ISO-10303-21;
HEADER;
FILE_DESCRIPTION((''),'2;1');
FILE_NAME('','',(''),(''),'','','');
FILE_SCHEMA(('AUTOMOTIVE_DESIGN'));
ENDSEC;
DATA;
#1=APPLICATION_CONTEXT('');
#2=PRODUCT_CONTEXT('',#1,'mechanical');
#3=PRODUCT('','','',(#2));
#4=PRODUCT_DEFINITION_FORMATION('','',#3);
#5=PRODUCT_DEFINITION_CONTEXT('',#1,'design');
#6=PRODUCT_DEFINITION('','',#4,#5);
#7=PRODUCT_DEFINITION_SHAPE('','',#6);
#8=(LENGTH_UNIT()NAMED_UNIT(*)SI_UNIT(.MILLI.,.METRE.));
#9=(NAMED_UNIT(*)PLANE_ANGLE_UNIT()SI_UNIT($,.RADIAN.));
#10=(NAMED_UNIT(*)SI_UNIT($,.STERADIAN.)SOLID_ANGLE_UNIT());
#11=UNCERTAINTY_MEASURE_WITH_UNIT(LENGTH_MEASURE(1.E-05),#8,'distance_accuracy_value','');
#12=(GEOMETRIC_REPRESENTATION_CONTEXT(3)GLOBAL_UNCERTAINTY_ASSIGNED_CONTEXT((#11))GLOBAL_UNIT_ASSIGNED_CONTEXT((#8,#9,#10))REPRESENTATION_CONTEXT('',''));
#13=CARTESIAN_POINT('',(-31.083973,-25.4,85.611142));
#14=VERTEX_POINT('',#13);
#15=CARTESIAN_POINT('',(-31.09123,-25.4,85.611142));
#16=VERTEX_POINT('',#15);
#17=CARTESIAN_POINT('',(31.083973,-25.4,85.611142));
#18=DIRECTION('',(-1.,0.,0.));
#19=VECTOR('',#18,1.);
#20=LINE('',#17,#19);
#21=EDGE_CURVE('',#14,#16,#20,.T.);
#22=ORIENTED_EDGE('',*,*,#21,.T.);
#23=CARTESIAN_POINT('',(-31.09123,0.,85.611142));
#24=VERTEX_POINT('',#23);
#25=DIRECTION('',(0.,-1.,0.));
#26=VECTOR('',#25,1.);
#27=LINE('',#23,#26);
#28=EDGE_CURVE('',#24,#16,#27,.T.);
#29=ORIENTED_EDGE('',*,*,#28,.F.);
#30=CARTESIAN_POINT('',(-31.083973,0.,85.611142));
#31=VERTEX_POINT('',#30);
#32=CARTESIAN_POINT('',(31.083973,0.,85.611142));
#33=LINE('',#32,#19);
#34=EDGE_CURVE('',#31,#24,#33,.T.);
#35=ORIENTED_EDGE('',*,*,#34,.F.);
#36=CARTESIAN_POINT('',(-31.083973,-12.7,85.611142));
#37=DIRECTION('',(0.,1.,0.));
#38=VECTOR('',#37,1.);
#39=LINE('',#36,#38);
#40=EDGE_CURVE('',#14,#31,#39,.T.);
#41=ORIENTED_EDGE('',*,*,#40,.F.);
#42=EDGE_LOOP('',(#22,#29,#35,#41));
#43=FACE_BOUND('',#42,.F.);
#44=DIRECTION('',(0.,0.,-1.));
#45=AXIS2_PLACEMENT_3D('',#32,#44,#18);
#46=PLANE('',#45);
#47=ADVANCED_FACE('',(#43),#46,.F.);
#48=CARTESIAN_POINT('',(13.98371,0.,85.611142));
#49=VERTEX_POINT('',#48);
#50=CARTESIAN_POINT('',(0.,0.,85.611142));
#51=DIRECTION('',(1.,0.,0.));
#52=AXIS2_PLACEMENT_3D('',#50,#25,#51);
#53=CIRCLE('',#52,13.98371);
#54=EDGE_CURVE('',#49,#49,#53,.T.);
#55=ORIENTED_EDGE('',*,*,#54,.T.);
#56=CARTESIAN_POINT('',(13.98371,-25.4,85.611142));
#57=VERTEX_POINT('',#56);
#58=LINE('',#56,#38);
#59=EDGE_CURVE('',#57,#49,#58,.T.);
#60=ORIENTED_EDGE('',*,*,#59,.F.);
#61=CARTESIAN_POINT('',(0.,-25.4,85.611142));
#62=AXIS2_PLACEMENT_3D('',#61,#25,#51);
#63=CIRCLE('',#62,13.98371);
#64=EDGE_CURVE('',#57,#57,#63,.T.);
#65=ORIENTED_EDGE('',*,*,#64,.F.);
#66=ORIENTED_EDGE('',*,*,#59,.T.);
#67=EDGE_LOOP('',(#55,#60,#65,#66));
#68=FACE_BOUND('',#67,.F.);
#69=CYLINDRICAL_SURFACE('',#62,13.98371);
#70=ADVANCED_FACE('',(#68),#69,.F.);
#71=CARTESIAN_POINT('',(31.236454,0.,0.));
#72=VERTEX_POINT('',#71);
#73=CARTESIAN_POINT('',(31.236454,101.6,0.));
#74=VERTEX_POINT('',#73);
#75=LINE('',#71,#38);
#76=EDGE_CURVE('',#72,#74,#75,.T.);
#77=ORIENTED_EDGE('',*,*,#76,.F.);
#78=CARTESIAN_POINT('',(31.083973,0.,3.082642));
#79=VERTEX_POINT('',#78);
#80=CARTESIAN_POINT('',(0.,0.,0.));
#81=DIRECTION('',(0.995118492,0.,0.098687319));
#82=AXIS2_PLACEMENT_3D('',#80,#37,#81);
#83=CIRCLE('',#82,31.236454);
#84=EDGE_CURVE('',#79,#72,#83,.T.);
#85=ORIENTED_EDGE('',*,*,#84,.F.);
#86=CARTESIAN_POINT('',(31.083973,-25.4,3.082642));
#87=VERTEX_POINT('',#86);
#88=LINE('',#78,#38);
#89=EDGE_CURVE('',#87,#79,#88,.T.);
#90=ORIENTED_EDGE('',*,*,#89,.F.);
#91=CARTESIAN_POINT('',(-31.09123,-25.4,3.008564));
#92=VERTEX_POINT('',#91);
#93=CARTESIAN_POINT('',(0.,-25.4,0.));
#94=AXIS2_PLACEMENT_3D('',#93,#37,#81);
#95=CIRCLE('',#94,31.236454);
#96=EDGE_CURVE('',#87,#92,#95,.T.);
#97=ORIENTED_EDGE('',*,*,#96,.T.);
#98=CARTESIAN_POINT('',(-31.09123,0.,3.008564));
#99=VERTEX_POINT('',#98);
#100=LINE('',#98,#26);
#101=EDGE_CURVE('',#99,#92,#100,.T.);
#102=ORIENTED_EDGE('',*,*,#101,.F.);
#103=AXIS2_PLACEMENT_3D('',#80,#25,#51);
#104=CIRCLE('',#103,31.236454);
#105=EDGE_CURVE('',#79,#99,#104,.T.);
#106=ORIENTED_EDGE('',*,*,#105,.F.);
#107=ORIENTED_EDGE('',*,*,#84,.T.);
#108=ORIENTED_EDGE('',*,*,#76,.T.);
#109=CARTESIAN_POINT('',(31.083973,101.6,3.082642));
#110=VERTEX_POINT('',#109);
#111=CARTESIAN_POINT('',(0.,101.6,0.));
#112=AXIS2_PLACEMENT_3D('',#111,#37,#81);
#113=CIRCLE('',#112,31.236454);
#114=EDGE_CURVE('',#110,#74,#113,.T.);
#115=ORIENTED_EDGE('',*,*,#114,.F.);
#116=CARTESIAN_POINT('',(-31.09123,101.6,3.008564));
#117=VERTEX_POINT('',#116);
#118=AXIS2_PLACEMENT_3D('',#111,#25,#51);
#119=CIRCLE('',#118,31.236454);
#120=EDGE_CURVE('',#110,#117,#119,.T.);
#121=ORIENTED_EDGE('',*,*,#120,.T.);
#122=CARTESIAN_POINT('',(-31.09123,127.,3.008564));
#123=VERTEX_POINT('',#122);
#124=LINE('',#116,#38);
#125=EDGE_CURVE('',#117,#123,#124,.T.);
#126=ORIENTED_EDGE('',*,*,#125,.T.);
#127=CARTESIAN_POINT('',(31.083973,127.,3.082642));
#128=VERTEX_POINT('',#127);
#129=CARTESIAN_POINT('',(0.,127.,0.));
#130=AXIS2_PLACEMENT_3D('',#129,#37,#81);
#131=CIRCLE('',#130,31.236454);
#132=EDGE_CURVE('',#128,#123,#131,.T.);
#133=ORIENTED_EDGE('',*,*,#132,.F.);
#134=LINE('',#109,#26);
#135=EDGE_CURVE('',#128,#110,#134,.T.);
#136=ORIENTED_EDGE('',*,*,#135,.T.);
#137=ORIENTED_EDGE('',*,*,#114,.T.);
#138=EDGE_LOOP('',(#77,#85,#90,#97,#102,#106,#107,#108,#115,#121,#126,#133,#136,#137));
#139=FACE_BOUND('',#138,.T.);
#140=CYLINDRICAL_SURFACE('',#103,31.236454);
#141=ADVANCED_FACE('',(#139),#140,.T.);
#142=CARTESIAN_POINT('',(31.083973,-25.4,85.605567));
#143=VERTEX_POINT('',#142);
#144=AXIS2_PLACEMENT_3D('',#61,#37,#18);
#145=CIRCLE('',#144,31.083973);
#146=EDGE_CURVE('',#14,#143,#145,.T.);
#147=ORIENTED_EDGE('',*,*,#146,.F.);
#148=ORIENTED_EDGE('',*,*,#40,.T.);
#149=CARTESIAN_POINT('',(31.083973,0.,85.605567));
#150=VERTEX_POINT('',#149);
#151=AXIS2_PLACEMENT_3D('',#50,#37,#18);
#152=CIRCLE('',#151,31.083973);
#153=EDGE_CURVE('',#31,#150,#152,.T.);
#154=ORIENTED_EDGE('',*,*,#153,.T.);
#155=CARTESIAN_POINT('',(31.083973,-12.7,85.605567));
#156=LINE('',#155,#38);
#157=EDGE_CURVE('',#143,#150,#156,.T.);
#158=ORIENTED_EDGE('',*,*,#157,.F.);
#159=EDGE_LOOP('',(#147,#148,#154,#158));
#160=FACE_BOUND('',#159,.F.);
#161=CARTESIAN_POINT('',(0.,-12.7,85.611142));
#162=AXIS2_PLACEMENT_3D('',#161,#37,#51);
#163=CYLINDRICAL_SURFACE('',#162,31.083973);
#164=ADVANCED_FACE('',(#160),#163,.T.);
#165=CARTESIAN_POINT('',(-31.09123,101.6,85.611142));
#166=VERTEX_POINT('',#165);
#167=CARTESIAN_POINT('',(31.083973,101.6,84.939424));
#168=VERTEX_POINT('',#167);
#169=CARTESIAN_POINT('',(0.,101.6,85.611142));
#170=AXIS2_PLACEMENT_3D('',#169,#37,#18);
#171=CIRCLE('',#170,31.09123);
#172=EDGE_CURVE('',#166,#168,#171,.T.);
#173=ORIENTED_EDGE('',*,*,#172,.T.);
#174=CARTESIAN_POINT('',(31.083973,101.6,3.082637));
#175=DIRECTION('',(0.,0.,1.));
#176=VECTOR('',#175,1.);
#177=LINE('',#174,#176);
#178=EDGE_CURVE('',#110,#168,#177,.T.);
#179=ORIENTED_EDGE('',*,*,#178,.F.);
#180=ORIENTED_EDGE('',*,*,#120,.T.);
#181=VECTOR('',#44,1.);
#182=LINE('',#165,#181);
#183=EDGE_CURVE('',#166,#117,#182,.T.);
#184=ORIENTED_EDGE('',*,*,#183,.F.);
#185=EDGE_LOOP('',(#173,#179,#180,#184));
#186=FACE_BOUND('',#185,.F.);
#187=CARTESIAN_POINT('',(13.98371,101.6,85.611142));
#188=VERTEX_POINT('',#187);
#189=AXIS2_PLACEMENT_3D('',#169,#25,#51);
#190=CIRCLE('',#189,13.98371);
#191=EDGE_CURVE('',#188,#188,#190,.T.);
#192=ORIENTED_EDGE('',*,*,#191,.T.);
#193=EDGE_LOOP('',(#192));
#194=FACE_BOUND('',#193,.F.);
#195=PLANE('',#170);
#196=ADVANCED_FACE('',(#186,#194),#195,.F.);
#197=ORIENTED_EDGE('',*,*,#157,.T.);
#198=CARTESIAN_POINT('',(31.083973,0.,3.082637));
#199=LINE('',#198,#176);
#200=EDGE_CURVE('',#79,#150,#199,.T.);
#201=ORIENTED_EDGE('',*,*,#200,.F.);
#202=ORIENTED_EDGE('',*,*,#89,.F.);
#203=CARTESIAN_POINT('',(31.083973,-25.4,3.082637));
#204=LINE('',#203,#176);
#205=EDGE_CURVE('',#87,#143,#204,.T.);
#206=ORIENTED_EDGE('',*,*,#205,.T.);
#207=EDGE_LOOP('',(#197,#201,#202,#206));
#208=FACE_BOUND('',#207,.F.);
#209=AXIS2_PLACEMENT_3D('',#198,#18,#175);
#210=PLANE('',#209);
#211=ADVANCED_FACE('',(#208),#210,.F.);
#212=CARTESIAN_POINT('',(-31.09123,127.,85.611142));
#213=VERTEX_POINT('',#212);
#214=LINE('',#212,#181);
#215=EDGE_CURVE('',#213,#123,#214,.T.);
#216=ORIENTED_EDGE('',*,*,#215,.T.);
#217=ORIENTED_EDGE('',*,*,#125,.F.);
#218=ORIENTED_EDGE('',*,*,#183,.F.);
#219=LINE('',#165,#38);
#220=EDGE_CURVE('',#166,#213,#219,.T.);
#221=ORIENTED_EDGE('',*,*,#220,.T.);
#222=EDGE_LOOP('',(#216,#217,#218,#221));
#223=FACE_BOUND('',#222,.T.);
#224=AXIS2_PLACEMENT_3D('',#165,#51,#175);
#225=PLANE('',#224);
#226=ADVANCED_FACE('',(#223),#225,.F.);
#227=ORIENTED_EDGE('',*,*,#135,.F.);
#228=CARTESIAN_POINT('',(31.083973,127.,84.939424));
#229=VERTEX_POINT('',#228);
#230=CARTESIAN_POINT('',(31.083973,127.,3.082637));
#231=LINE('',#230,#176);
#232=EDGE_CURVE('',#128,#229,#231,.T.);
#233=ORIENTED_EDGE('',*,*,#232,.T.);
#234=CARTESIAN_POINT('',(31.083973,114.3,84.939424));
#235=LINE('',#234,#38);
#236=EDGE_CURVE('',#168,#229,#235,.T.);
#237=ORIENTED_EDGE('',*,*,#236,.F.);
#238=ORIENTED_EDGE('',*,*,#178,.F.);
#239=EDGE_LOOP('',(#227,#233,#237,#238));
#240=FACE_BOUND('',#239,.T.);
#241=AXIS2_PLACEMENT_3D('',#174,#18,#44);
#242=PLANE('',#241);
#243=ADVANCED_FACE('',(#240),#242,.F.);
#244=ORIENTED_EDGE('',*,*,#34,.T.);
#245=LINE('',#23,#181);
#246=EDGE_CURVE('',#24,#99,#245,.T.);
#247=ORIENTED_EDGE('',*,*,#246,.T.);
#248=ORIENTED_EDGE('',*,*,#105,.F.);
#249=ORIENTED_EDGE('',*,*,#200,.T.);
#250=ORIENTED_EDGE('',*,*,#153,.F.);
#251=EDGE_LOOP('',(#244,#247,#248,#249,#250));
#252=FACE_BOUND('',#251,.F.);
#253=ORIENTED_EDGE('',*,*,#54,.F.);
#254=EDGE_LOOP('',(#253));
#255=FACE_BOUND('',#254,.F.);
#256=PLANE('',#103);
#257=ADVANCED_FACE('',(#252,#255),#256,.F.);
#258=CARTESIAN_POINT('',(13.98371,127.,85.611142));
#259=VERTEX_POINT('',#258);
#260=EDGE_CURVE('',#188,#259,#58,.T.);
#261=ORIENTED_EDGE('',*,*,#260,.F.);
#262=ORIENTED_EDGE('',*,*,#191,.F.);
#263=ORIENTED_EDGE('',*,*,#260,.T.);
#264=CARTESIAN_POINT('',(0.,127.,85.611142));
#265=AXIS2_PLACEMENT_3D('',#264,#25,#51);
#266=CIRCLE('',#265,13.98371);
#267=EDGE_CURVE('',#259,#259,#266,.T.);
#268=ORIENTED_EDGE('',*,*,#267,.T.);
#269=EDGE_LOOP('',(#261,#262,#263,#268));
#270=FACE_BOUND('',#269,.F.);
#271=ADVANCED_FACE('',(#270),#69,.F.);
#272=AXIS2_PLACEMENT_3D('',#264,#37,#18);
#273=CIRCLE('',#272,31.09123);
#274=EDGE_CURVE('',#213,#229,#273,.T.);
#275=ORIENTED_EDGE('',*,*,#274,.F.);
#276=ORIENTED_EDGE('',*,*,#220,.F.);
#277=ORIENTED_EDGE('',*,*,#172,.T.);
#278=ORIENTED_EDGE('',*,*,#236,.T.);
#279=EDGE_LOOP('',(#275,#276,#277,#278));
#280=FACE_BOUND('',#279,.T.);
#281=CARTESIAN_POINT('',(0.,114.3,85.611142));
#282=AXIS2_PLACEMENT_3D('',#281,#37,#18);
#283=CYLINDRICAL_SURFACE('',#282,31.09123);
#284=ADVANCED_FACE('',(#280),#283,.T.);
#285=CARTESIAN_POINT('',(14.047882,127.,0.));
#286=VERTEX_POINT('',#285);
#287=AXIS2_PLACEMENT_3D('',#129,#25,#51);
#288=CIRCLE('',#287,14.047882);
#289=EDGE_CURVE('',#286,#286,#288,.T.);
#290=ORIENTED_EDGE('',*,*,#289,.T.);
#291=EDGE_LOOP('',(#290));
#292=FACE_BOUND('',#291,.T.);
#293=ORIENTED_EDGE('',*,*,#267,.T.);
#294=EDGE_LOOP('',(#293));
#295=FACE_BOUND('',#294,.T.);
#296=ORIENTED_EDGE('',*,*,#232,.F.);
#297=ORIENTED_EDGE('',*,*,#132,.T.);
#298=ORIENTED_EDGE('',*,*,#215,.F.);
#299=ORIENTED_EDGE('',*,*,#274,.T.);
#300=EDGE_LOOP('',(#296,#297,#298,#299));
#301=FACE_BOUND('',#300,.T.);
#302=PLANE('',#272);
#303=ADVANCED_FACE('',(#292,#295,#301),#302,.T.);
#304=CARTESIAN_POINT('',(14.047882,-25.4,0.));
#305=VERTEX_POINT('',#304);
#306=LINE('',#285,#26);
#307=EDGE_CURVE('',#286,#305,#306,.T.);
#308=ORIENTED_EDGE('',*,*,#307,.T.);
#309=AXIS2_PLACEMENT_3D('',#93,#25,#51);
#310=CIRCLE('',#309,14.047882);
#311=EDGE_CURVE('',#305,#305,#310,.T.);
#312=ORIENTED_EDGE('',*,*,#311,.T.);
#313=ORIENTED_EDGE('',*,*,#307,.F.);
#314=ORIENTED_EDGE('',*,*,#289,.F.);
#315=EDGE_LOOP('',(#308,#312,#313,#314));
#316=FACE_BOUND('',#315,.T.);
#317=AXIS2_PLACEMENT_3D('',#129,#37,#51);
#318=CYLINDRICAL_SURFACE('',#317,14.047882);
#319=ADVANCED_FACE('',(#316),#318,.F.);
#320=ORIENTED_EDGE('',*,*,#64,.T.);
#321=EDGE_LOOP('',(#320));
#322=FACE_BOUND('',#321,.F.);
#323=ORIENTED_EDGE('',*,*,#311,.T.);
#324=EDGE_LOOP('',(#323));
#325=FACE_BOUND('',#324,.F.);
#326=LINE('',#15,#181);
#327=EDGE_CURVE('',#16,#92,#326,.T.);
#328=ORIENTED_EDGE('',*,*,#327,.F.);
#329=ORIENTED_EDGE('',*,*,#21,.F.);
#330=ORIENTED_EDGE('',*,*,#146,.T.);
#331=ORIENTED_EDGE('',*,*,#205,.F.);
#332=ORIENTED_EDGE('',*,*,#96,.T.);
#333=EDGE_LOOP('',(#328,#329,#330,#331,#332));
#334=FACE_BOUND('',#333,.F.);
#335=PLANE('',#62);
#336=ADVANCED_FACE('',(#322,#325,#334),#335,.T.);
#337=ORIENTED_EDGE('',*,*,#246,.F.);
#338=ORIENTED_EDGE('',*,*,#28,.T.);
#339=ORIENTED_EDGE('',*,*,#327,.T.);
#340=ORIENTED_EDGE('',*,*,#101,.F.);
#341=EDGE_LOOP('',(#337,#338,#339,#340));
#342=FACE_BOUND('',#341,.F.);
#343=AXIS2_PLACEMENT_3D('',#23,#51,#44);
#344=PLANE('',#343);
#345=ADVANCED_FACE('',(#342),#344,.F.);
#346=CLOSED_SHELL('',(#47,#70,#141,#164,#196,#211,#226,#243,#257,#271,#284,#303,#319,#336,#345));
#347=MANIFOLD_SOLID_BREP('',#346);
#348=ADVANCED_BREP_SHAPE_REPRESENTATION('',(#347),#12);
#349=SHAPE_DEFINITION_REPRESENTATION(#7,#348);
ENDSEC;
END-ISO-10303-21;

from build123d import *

# Parameters (mm, degrees)
F0_R      = 31.236454
F2_DEPTH  = 25.4
F3_DEPTH  = 25.4
F4_DEPTH  = 50.8
F5_R      = 14.047882
F6_DEPTH  = 76.201
F8_W      = 31.083973
F8_H      = 25.4
F10_W     = 31.09123
F10_H     = 25.4
F12_R     = 13.98371
F13_DEPTH = 152.401


with BuildPart() as f2:
    # F0 (on Front) → F2 (new body)
    with BuildSketch(Plane.XZ):
        Circle(F0_R)
    extrude(amount=F2_DEPTH)

    # F1 (on face) → F3 (join)
    with BuildSketch(Plane.XZ):
        with BuildLine():
            Line((0, 85.611142), (0, 31.236454))
            ThreePointArc((0, 31.236454), (20.969327, 23.151746), (31.083973, 3.082637))
            Line((31.083973, 3.082637), (31.083973, 85.611142))
            Line((31.083973, 85.611142), (0, 85.611142))
        make_face()
        with BuildLine():
            Line((-31.09123, 85.611142), (-31.09123, 3.008564))
            ThreePointArc((-31.09123, 3.008564), (-20.996895, 23.126747), (0, 31.236454))
            Line((0, 31.236454), (0, 85.611142))
            Line((0, 85.611142), (-31.09123, 85.611142))
        make_face()
    extrude(amount=F3_DEPTH)

    # F0 (on Front) → F4 (join)
    with BuildSketch(Plane.XZ):
        Circle(F0_R)
    extrude(amount=-F4_DEPTH)

    # F5 (on face) → F6 (cut, through all)
    with BuildSketch(Plane.XZ.offset(25.4)):
        Circle(F5_R)
    extrude(amount=-F6_DEPTH, mode=Mode.SUBTRACT)

    # F7: F2 across face


with BuildPart() as f2_1:
    add(f2.part)
    add(f2.part.mirror(Plane(origin=(0, 50.8, 0), x_dir=(1, 0, 0), z_dir=(0, 1, 0))))

    # F8 (on face) → F9 (revolve)
    with BuildSketch(Plane.XY.offset(85.611142)):
        with Locations((15.541987, -12.7)):
            Rectangle(F8_W, F8_H)
    revolve(axis=Axis((0, -12.7, 85.611142), (0, -1, 0)))

    # F10 (on face) → F11 (revolve)
    with BuildSketch(Plane.XY.offset(85.611142)):
        with Locations((-15.545615, 114.3)):
            Rectangle(F10_W, F10_H)
    revolve(axis=Axis((0, 114.3, 85.611142), (0, 1, 0)))

    # F12 (on face) → F13 (cut, through all)
    with BuildSketch(Plane.XZ.offset(25.4)):
        with Locations((0, 85.611142)):
            Circle(F12_R)
    extrude(amount=-F13_DEPTH, mode=Mode.SUBTRACT)


solid = f2_1.part
